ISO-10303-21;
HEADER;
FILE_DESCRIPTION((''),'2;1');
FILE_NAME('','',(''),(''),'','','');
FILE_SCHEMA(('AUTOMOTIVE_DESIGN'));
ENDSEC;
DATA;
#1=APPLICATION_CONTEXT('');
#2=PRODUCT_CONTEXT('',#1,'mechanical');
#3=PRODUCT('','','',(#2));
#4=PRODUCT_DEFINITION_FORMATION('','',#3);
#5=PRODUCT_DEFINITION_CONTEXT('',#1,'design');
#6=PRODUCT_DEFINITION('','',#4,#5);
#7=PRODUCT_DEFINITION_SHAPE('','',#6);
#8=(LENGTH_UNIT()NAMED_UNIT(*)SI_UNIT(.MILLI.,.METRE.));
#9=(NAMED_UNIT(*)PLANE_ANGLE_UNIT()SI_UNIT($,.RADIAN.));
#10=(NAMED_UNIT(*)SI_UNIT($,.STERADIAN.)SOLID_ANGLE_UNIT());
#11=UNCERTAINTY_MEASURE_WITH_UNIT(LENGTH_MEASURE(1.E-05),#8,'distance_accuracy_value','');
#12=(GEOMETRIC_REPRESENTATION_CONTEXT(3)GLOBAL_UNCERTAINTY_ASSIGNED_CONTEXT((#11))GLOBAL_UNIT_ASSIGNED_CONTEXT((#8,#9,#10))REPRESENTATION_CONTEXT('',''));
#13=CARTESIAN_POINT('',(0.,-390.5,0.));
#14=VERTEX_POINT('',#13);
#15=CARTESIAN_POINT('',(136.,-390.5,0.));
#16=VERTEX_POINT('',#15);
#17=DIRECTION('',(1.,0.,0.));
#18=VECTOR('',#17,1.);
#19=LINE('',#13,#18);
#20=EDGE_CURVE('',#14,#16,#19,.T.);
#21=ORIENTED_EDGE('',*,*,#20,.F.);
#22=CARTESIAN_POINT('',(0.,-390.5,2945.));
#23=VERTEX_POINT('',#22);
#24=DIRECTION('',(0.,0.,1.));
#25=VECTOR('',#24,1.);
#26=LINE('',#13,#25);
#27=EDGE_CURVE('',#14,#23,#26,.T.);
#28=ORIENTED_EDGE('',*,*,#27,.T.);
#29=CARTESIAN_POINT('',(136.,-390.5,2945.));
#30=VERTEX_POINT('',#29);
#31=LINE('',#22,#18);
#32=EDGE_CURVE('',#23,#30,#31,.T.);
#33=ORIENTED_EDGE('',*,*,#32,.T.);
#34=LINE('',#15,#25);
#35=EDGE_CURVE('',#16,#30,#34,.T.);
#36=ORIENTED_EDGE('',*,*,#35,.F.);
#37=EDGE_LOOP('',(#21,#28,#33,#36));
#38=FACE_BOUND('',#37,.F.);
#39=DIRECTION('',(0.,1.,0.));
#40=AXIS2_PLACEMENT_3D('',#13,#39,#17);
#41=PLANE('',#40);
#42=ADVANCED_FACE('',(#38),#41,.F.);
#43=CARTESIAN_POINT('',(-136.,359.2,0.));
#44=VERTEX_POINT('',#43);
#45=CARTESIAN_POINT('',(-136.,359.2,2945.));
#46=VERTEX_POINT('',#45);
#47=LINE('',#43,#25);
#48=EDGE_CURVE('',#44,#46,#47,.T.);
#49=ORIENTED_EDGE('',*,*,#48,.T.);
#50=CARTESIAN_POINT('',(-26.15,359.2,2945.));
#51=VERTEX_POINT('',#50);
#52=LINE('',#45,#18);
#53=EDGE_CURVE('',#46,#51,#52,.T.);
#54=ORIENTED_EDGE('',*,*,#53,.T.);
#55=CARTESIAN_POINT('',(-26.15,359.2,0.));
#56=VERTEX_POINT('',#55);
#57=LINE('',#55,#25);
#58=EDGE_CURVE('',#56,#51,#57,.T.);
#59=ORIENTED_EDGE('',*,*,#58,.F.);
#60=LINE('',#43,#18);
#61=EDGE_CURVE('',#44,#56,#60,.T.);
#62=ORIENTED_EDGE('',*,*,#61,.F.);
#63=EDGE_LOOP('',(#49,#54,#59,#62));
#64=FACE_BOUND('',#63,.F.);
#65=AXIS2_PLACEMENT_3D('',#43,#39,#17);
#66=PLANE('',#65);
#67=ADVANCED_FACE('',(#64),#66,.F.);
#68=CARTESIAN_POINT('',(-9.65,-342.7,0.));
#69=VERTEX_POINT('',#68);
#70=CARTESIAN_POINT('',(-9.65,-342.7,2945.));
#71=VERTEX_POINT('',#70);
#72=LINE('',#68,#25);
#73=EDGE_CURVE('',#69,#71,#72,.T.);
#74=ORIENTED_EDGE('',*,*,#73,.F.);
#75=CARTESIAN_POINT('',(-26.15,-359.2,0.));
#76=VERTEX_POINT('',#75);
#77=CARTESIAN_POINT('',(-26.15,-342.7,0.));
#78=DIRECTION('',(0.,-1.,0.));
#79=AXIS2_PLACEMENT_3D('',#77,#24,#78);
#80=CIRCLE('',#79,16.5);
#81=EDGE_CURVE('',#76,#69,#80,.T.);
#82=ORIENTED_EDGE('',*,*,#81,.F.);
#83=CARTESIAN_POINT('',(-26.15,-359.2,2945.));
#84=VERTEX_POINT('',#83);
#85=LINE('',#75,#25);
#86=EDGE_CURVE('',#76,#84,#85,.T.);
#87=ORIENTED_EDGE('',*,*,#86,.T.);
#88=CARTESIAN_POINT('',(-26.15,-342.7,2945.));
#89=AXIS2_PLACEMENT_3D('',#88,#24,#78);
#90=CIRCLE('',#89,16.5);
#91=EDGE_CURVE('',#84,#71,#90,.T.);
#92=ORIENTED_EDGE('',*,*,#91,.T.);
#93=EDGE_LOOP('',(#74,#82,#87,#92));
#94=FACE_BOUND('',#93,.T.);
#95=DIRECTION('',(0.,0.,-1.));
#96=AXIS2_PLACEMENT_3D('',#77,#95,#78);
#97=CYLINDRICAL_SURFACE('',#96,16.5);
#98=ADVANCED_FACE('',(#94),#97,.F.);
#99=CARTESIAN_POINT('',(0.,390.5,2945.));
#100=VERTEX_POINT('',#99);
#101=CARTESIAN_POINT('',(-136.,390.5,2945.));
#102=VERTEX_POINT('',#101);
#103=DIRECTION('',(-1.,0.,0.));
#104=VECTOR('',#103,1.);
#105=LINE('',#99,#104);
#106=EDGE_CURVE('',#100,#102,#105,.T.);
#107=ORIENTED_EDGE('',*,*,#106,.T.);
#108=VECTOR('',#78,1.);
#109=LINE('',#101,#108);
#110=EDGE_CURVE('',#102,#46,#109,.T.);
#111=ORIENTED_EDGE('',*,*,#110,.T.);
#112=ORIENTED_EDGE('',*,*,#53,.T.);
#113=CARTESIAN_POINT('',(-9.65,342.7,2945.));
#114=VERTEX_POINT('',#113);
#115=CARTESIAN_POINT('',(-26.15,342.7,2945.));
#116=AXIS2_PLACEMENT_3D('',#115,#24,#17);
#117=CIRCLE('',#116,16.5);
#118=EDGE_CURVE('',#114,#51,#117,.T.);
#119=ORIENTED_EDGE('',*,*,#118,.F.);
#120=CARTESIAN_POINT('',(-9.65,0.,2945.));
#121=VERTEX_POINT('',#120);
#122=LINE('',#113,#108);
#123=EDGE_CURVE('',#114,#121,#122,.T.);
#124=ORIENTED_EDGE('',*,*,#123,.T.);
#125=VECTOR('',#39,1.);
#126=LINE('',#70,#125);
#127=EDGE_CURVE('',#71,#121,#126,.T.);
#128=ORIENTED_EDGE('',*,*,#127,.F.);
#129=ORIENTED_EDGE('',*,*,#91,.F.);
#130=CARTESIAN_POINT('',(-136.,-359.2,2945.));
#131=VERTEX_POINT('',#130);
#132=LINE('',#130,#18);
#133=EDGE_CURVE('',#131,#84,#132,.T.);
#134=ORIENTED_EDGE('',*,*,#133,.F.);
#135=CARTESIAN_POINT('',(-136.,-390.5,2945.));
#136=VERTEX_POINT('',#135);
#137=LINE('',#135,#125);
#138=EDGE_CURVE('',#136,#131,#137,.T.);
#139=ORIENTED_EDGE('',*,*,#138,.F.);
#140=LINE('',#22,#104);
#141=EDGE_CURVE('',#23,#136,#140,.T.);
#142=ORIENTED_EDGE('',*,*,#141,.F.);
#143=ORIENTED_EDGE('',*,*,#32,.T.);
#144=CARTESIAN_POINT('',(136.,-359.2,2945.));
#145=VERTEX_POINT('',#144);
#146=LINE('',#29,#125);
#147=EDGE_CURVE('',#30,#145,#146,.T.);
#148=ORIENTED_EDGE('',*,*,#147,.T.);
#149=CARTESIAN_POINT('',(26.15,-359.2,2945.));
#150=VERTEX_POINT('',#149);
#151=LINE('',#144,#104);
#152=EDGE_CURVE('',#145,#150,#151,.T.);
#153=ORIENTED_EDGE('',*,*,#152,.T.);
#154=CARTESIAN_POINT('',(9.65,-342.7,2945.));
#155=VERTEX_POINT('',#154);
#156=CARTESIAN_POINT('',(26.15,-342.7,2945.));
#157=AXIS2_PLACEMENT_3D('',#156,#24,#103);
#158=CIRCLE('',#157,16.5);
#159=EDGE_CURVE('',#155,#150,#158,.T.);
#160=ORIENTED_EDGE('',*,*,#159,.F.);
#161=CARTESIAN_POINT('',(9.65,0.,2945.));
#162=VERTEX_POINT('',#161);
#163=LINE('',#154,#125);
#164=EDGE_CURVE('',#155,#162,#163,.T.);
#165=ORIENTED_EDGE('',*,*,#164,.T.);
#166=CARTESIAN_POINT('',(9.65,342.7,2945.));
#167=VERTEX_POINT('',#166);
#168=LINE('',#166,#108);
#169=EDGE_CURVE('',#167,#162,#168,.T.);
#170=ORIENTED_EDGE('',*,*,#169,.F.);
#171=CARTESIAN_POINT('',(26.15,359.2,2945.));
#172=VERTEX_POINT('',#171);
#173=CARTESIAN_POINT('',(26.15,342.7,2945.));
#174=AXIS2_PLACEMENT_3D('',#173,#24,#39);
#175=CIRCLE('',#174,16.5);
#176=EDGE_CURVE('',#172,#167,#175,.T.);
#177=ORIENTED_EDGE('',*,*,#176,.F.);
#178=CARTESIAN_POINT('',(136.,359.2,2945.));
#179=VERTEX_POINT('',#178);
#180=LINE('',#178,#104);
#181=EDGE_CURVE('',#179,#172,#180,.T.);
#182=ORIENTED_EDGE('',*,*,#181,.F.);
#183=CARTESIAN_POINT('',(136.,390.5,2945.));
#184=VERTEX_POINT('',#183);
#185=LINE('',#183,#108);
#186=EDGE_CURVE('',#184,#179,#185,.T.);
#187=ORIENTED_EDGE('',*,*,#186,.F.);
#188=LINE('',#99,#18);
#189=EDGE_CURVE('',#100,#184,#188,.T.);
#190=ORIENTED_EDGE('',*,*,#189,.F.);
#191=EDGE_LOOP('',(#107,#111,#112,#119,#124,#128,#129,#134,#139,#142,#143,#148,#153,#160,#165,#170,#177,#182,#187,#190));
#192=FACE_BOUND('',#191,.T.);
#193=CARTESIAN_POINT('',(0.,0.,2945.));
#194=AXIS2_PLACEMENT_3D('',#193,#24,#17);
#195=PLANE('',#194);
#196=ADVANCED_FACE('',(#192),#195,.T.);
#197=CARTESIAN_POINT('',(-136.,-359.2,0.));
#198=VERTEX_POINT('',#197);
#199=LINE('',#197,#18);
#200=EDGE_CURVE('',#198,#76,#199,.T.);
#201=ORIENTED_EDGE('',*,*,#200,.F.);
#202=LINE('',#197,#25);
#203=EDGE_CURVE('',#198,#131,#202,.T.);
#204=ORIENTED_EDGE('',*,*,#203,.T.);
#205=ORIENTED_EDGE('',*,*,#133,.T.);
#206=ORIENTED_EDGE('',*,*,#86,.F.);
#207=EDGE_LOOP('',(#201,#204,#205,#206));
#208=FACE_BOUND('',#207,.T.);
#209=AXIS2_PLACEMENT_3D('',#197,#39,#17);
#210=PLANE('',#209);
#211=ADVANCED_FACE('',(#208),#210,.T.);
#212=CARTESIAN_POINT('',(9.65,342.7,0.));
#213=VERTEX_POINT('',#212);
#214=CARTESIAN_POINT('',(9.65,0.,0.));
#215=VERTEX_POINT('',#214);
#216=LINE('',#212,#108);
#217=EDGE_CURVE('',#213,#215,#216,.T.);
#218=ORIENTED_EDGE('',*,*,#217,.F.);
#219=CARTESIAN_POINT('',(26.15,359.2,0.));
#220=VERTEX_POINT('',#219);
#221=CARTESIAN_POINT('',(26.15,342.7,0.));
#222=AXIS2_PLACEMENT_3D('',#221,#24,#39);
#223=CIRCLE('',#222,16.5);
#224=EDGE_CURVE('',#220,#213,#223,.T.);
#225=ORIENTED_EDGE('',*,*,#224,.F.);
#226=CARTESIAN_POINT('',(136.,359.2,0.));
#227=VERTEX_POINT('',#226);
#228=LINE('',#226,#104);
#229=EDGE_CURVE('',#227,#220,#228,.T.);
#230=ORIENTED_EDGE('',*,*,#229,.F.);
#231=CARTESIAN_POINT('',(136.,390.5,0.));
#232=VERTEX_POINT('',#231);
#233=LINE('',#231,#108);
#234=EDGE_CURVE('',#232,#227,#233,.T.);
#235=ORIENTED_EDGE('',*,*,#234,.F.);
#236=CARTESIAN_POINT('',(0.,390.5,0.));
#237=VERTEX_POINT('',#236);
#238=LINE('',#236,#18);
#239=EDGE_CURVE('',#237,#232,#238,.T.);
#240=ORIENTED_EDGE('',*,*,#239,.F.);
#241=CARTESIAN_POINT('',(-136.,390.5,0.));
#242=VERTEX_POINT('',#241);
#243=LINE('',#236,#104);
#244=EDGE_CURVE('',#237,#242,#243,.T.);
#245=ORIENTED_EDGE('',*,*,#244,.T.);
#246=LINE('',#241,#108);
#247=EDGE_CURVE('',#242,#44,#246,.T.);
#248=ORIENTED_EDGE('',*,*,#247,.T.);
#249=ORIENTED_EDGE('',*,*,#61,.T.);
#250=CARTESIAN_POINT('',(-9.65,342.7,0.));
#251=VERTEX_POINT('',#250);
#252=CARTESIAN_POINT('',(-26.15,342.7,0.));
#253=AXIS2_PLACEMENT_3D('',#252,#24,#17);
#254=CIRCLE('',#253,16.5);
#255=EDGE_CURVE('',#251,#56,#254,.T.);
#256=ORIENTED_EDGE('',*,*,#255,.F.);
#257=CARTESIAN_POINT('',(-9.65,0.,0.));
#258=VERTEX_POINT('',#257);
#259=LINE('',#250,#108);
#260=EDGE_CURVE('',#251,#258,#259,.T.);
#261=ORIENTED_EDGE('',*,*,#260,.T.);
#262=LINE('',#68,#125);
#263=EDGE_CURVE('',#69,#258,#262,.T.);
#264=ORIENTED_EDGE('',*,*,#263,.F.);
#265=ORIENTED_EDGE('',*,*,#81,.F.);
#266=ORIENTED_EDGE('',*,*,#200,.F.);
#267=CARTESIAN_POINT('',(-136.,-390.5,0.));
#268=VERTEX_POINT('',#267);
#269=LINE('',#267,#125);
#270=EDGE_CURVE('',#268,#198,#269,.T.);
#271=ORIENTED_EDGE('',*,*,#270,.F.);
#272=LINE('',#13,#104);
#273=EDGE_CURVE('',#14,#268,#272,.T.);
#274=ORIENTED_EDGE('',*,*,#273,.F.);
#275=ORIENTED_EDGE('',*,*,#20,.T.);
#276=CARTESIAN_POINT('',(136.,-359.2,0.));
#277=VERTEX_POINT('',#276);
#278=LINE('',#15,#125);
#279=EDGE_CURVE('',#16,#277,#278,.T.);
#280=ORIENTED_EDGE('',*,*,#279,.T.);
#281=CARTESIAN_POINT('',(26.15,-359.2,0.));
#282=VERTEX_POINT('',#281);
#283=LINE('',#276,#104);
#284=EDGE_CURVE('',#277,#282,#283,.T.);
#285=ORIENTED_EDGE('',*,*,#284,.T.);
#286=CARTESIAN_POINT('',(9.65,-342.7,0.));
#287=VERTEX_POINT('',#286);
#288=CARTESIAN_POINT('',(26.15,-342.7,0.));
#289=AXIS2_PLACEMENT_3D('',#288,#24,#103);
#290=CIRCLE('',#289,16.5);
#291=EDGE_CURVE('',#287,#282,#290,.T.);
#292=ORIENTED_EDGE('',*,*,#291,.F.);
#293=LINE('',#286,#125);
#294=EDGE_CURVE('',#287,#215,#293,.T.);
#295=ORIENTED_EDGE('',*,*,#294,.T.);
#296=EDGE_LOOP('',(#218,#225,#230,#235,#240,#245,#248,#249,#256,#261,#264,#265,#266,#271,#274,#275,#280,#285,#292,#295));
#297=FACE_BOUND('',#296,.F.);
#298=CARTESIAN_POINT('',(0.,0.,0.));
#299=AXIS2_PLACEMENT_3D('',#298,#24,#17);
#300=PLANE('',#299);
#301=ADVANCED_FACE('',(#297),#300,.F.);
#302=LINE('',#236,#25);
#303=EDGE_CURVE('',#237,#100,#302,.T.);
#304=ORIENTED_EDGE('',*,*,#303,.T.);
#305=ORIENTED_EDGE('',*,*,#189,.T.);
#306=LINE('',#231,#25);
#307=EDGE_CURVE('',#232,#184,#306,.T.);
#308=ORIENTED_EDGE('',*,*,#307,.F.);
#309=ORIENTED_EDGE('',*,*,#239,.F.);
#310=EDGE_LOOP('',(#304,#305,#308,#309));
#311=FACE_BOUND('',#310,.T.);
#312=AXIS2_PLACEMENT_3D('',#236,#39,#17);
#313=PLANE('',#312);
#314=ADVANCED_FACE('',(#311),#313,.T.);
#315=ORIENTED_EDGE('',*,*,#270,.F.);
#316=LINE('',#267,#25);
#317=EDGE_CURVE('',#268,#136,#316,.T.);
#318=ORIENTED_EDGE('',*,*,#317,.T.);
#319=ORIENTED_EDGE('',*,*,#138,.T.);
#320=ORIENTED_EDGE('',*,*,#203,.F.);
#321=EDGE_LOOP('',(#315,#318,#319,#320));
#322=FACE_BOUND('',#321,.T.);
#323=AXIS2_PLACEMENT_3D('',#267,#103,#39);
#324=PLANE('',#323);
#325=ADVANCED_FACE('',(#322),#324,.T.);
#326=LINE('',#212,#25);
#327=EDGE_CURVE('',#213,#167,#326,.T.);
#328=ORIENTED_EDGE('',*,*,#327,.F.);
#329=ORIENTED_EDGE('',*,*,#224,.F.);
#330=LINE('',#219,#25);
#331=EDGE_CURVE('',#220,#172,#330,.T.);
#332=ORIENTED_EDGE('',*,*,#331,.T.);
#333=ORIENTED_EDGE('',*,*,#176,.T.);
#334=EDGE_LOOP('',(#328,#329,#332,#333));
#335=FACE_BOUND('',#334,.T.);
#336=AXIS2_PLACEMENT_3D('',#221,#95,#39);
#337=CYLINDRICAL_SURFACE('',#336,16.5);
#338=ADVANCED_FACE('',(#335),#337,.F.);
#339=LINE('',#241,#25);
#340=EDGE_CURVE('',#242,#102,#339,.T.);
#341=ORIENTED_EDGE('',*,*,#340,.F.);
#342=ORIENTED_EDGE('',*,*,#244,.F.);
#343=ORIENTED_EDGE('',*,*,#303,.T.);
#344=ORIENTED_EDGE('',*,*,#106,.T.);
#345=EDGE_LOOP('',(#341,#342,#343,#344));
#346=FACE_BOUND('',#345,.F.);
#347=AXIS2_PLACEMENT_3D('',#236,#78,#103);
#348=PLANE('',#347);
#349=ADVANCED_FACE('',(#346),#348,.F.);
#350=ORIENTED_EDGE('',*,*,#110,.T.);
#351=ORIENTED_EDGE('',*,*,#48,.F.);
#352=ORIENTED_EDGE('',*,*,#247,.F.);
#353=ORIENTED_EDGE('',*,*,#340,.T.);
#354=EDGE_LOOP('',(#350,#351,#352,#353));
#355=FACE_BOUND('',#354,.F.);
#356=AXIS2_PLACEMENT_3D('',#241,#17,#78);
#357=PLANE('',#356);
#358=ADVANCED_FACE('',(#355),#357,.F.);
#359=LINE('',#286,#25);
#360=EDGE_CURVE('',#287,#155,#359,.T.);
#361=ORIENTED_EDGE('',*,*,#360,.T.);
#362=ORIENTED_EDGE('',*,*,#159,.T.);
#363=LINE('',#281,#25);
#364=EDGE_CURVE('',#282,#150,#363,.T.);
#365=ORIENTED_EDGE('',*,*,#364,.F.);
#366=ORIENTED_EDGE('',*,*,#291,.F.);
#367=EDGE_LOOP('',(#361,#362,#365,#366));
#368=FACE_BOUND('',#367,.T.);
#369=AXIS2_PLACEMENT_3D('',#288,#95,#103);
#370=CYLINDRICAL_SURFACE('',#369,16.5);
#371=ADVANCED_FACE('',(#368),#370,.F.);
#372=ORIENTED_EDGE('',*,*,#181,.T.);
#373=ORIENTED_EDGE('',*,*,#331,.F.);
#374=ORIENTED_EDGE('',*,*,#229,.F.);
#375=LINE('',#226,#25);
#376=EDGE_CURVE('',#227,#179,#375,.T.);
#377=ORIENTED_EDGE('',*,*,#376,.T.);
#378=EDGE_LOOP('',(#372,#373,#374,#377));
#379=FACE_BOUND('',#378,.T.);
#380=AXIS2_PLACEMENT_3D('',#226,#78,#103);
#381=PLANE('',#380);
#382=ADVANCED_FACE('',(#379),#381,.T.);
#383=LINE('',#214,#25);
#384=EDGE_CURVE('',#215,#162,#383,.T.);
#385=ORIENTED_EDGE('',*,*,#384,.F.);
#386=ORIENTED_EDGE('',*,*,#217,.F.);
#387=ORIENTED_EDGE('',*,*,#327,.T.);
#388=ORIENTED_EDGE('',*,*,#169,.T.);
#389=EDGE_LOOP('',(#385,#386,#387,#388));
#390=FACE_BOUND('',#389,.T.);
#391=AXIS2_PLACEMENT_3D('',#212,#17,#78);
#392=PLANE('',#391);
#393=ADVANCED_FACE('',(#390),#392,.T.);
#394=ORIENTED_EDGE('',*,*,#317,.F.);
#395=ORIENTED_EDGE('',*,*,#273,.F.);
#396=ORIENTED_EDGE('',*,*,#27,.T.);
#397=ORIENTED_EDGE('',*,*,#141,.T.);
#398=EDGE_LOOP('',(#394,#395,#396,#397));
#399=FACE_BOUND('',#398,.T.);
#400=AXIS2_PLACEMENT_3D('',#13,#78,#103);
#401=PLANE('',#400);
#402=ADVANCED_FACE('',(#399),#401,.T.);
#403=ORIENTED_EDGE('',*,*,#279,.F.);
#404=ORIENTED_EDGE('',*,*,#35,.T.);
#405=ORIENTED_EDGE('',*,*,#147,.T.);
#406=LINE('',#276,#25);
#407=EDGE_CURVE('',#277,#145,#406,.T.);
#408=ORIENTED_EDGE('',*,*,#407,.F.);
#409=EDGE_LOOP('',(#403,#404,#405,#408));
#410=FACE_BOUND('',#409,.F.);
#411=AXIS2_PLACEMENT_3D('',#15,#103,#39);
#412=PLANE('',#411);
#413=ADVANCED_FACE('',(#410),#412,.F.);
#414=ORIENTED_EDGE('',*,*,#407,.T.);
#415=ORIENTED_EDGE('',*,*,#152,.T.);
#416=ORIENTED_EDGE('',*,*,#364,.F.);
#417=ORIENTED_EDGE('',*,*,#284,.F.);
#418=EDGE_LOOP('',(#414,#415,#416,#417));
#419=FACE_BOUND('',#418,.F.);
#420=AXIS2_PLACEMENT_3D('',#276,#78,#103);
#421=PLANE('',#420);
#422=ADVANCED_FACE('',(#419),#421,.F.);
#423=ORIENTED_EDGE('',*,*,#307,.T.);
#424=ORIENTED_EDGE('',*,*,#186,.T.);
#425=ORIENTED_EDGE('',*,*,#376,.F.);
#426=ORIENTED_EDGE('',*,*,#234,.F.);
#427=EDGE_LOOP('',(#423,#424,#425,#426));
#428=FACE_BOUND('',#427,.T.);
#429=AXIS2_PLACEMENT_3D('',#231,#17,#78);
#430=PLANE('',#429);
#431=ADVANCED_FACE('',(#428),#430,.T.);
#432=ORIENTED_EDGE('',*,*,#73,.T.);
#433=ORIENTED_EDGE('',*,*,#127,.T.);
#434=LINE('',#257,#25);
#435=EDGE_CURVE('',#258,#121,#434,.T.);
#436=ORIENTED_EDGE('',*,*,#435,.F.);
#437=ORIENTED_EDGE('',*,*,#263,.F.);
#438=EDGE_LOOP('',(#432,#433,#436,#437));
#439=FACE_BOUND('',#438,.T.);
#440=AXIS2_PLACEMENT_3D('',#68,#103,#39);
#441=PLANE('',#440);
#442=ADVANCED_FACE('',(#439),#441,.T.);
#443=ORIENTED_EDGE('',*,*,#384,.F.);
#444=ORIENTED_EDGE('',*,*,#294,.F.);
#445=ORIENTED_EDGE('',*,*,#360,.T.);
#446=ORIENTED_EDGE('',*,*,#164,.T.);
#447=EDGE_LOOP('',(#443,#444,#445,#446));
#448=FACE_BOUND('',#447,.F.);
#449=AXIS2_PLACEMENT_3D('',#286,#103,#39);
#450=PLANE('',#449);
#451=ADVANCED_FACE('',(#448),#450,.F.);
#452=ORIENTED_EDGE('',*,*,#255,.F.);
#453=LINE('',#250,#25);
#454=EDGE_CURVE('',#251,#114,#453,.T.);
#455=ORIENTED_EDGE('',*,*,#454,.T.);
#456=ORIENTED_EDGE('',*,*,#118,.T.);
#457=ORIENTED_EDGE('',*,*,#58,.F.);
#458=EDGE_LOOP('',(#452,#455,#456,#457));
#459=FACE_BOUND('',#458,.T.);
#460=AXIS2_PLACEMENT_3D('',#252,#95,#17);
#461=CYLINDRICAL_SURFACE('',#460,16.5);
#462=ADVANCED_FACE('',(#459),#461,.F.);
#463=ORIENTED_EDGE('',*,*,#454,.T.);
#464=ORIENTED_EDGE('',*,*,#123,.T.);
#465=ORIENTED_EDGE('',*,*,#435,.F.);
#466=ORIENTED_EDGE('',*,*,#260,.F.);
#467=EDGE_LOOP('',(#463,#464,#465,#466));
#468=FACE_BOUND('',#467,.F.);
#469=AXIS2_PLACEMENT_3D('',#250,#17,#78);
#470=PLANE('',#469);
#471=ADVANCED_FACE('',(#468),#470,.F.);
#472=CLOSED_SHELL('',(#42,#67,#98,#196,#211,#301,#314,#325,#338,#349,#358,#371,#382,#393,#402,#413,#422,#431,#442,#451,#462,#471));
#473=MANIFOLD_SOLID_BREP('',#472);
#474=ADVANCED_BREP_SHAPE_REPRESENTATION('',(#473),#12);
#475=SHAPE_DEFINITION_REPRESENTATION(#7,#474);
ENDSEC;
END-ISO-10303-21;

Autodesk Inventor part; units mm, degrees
ref_plane "YZ Plane" through (0, 0, 0) normal (1, 0, 0) x (0, 1, 0)
ref_plane "Start plane" through (0, 0, 0) normal (0, 0, 1) x (1, 0, 0)
ref_plane "End plane" through (0, 0, 2945) normal (0, 0, 1) x (1, 0, 0)
sketch "Sketch" plane through (0, 0, 0) normal (0, 0, 1) x (1, 0, 0)
  line L0 (-136, -390.5) -> (-136, -359.2)
  line L1 (-136, -359.2) -> (-26.15, -359.2)
  line L2 (-9.65, -342.7) -> (-9.65, 0)
  line L3 (-9.65, 0) -> (0, 0) construction
  line L4 (0, 0) -> (0, -390.5) construction
  line L5 (0, -390.5) -> (-136, -390.5)
  line L6 (-60, 0) -> (80, 0) construction
  line L7 (0, -60) -> (0, 80) construction
  line L8 (136, -390.5) -> (136, -359.2)
  line L9 (136, -359.2) -> (26.15, -359.2)
  line L10 (9.65, -342.7) -> (9.65, 0)
  line L11 (9.65, 0) -> (0, 0) construction
  line L12 (0, -390.5) -> (136, -390.5)
  line L13 (-136, 390.5) -> (-136, 359.2)
  line L14 (-136, 359.2) -> (-26.15, 359.2)
  line L15 (-9.65, 342.7) -> (-9.65, 0)
  line L16 (0, 390.5) -> (-136, 390.5)
  line L17 (136, 390.5) -> (136, 359.2)
  line L18 (136, 359.2) -> (26.15, 359.2)
  line L19 (0, 390.5) -> (136, 390.5)
  line L20 (9.65, 342.7) -> (9.65, 0)
  arc A0 (-9.65, 342.7) -> (-26.15, 359.2) centre (-26.15, 342.7) ccw
  arc A1 (26.15, 359.2) -> (9.65, 342.7) centre (26.15, 342.7) ccw
  arc A2 (9.65, -342.7) -> (26.15, -359.2) centre (26.15, -342.7) ccw
  arc A3 (-26.15, -359.2) -> (-9.65, -342.7) centre (-26.15, -342.7) ccw
  line L21 (0, 108) -> (0, -88) construction
  line L22 (-88, 0) -> (108, 0) construction
  point P0 (-9.65, -359.2)
  point P1 (9.65, -359.2)
  point P2 (-9.65, 359.2)
  point P3 (9.65, 359.2)
  dimension "d1" = 390.5
  dimension "d2" = 31.3
  dimension "d3" = 136
  dimension "d4" = 9.65
  dimension "d10" = 16.5
extrude "Body" add sketch "Sketch" along normal up to surface (2945 mm away) from surface at 0
sketch "Sketch4" plane through (0, 0, 0) normal (0, 0, 1) x (1, 0, 0)
  line L0 (0, 0) -> (10, 0)
ref_plane "Work Plane3" through (0, 0, 0) normal (0, -1, 0) x (1, 0, 0)
sketch "Sketch5" plane through (0, 0, 0) normal (0, -1, 0) x (1, 0, 0)
  line L0 (-2, 0) -> (12, 0) projected
  line L1 (-2, 2945) -> (12, 2945) projected
  dimension "d14" = 2945
equation "\"d1\" = 0.5 * G_H"
equation "\"d2\" = G_T1"
equation "\"d3\" = 0.5 * G_W"
equation "\"d4\" = 0.5 * G_T"
equation "\"d10\" = G_IR"
equation "\"d5\" = G_L"
equation "\"G_W\" = 272"
equation "\"G_H\" = 781"
equation "\"G_T\" = 19.3"
equation "\"G_T1\" = 31.3"
equation "\"G_IR\" = 16.5"
equation "\"G_L\" = d14"
equation "\"G_OFFSET_START\" = 0"
equation "\"G_OFFSET_END\" = 0"
equation "\"d12\" = G_OFFSET_END + B_L"
equation "\"B_L\" = 2945"
properties part number "AS 3679-1990 - 760 UB - 244 - 2945" material "Steel, Mild"
